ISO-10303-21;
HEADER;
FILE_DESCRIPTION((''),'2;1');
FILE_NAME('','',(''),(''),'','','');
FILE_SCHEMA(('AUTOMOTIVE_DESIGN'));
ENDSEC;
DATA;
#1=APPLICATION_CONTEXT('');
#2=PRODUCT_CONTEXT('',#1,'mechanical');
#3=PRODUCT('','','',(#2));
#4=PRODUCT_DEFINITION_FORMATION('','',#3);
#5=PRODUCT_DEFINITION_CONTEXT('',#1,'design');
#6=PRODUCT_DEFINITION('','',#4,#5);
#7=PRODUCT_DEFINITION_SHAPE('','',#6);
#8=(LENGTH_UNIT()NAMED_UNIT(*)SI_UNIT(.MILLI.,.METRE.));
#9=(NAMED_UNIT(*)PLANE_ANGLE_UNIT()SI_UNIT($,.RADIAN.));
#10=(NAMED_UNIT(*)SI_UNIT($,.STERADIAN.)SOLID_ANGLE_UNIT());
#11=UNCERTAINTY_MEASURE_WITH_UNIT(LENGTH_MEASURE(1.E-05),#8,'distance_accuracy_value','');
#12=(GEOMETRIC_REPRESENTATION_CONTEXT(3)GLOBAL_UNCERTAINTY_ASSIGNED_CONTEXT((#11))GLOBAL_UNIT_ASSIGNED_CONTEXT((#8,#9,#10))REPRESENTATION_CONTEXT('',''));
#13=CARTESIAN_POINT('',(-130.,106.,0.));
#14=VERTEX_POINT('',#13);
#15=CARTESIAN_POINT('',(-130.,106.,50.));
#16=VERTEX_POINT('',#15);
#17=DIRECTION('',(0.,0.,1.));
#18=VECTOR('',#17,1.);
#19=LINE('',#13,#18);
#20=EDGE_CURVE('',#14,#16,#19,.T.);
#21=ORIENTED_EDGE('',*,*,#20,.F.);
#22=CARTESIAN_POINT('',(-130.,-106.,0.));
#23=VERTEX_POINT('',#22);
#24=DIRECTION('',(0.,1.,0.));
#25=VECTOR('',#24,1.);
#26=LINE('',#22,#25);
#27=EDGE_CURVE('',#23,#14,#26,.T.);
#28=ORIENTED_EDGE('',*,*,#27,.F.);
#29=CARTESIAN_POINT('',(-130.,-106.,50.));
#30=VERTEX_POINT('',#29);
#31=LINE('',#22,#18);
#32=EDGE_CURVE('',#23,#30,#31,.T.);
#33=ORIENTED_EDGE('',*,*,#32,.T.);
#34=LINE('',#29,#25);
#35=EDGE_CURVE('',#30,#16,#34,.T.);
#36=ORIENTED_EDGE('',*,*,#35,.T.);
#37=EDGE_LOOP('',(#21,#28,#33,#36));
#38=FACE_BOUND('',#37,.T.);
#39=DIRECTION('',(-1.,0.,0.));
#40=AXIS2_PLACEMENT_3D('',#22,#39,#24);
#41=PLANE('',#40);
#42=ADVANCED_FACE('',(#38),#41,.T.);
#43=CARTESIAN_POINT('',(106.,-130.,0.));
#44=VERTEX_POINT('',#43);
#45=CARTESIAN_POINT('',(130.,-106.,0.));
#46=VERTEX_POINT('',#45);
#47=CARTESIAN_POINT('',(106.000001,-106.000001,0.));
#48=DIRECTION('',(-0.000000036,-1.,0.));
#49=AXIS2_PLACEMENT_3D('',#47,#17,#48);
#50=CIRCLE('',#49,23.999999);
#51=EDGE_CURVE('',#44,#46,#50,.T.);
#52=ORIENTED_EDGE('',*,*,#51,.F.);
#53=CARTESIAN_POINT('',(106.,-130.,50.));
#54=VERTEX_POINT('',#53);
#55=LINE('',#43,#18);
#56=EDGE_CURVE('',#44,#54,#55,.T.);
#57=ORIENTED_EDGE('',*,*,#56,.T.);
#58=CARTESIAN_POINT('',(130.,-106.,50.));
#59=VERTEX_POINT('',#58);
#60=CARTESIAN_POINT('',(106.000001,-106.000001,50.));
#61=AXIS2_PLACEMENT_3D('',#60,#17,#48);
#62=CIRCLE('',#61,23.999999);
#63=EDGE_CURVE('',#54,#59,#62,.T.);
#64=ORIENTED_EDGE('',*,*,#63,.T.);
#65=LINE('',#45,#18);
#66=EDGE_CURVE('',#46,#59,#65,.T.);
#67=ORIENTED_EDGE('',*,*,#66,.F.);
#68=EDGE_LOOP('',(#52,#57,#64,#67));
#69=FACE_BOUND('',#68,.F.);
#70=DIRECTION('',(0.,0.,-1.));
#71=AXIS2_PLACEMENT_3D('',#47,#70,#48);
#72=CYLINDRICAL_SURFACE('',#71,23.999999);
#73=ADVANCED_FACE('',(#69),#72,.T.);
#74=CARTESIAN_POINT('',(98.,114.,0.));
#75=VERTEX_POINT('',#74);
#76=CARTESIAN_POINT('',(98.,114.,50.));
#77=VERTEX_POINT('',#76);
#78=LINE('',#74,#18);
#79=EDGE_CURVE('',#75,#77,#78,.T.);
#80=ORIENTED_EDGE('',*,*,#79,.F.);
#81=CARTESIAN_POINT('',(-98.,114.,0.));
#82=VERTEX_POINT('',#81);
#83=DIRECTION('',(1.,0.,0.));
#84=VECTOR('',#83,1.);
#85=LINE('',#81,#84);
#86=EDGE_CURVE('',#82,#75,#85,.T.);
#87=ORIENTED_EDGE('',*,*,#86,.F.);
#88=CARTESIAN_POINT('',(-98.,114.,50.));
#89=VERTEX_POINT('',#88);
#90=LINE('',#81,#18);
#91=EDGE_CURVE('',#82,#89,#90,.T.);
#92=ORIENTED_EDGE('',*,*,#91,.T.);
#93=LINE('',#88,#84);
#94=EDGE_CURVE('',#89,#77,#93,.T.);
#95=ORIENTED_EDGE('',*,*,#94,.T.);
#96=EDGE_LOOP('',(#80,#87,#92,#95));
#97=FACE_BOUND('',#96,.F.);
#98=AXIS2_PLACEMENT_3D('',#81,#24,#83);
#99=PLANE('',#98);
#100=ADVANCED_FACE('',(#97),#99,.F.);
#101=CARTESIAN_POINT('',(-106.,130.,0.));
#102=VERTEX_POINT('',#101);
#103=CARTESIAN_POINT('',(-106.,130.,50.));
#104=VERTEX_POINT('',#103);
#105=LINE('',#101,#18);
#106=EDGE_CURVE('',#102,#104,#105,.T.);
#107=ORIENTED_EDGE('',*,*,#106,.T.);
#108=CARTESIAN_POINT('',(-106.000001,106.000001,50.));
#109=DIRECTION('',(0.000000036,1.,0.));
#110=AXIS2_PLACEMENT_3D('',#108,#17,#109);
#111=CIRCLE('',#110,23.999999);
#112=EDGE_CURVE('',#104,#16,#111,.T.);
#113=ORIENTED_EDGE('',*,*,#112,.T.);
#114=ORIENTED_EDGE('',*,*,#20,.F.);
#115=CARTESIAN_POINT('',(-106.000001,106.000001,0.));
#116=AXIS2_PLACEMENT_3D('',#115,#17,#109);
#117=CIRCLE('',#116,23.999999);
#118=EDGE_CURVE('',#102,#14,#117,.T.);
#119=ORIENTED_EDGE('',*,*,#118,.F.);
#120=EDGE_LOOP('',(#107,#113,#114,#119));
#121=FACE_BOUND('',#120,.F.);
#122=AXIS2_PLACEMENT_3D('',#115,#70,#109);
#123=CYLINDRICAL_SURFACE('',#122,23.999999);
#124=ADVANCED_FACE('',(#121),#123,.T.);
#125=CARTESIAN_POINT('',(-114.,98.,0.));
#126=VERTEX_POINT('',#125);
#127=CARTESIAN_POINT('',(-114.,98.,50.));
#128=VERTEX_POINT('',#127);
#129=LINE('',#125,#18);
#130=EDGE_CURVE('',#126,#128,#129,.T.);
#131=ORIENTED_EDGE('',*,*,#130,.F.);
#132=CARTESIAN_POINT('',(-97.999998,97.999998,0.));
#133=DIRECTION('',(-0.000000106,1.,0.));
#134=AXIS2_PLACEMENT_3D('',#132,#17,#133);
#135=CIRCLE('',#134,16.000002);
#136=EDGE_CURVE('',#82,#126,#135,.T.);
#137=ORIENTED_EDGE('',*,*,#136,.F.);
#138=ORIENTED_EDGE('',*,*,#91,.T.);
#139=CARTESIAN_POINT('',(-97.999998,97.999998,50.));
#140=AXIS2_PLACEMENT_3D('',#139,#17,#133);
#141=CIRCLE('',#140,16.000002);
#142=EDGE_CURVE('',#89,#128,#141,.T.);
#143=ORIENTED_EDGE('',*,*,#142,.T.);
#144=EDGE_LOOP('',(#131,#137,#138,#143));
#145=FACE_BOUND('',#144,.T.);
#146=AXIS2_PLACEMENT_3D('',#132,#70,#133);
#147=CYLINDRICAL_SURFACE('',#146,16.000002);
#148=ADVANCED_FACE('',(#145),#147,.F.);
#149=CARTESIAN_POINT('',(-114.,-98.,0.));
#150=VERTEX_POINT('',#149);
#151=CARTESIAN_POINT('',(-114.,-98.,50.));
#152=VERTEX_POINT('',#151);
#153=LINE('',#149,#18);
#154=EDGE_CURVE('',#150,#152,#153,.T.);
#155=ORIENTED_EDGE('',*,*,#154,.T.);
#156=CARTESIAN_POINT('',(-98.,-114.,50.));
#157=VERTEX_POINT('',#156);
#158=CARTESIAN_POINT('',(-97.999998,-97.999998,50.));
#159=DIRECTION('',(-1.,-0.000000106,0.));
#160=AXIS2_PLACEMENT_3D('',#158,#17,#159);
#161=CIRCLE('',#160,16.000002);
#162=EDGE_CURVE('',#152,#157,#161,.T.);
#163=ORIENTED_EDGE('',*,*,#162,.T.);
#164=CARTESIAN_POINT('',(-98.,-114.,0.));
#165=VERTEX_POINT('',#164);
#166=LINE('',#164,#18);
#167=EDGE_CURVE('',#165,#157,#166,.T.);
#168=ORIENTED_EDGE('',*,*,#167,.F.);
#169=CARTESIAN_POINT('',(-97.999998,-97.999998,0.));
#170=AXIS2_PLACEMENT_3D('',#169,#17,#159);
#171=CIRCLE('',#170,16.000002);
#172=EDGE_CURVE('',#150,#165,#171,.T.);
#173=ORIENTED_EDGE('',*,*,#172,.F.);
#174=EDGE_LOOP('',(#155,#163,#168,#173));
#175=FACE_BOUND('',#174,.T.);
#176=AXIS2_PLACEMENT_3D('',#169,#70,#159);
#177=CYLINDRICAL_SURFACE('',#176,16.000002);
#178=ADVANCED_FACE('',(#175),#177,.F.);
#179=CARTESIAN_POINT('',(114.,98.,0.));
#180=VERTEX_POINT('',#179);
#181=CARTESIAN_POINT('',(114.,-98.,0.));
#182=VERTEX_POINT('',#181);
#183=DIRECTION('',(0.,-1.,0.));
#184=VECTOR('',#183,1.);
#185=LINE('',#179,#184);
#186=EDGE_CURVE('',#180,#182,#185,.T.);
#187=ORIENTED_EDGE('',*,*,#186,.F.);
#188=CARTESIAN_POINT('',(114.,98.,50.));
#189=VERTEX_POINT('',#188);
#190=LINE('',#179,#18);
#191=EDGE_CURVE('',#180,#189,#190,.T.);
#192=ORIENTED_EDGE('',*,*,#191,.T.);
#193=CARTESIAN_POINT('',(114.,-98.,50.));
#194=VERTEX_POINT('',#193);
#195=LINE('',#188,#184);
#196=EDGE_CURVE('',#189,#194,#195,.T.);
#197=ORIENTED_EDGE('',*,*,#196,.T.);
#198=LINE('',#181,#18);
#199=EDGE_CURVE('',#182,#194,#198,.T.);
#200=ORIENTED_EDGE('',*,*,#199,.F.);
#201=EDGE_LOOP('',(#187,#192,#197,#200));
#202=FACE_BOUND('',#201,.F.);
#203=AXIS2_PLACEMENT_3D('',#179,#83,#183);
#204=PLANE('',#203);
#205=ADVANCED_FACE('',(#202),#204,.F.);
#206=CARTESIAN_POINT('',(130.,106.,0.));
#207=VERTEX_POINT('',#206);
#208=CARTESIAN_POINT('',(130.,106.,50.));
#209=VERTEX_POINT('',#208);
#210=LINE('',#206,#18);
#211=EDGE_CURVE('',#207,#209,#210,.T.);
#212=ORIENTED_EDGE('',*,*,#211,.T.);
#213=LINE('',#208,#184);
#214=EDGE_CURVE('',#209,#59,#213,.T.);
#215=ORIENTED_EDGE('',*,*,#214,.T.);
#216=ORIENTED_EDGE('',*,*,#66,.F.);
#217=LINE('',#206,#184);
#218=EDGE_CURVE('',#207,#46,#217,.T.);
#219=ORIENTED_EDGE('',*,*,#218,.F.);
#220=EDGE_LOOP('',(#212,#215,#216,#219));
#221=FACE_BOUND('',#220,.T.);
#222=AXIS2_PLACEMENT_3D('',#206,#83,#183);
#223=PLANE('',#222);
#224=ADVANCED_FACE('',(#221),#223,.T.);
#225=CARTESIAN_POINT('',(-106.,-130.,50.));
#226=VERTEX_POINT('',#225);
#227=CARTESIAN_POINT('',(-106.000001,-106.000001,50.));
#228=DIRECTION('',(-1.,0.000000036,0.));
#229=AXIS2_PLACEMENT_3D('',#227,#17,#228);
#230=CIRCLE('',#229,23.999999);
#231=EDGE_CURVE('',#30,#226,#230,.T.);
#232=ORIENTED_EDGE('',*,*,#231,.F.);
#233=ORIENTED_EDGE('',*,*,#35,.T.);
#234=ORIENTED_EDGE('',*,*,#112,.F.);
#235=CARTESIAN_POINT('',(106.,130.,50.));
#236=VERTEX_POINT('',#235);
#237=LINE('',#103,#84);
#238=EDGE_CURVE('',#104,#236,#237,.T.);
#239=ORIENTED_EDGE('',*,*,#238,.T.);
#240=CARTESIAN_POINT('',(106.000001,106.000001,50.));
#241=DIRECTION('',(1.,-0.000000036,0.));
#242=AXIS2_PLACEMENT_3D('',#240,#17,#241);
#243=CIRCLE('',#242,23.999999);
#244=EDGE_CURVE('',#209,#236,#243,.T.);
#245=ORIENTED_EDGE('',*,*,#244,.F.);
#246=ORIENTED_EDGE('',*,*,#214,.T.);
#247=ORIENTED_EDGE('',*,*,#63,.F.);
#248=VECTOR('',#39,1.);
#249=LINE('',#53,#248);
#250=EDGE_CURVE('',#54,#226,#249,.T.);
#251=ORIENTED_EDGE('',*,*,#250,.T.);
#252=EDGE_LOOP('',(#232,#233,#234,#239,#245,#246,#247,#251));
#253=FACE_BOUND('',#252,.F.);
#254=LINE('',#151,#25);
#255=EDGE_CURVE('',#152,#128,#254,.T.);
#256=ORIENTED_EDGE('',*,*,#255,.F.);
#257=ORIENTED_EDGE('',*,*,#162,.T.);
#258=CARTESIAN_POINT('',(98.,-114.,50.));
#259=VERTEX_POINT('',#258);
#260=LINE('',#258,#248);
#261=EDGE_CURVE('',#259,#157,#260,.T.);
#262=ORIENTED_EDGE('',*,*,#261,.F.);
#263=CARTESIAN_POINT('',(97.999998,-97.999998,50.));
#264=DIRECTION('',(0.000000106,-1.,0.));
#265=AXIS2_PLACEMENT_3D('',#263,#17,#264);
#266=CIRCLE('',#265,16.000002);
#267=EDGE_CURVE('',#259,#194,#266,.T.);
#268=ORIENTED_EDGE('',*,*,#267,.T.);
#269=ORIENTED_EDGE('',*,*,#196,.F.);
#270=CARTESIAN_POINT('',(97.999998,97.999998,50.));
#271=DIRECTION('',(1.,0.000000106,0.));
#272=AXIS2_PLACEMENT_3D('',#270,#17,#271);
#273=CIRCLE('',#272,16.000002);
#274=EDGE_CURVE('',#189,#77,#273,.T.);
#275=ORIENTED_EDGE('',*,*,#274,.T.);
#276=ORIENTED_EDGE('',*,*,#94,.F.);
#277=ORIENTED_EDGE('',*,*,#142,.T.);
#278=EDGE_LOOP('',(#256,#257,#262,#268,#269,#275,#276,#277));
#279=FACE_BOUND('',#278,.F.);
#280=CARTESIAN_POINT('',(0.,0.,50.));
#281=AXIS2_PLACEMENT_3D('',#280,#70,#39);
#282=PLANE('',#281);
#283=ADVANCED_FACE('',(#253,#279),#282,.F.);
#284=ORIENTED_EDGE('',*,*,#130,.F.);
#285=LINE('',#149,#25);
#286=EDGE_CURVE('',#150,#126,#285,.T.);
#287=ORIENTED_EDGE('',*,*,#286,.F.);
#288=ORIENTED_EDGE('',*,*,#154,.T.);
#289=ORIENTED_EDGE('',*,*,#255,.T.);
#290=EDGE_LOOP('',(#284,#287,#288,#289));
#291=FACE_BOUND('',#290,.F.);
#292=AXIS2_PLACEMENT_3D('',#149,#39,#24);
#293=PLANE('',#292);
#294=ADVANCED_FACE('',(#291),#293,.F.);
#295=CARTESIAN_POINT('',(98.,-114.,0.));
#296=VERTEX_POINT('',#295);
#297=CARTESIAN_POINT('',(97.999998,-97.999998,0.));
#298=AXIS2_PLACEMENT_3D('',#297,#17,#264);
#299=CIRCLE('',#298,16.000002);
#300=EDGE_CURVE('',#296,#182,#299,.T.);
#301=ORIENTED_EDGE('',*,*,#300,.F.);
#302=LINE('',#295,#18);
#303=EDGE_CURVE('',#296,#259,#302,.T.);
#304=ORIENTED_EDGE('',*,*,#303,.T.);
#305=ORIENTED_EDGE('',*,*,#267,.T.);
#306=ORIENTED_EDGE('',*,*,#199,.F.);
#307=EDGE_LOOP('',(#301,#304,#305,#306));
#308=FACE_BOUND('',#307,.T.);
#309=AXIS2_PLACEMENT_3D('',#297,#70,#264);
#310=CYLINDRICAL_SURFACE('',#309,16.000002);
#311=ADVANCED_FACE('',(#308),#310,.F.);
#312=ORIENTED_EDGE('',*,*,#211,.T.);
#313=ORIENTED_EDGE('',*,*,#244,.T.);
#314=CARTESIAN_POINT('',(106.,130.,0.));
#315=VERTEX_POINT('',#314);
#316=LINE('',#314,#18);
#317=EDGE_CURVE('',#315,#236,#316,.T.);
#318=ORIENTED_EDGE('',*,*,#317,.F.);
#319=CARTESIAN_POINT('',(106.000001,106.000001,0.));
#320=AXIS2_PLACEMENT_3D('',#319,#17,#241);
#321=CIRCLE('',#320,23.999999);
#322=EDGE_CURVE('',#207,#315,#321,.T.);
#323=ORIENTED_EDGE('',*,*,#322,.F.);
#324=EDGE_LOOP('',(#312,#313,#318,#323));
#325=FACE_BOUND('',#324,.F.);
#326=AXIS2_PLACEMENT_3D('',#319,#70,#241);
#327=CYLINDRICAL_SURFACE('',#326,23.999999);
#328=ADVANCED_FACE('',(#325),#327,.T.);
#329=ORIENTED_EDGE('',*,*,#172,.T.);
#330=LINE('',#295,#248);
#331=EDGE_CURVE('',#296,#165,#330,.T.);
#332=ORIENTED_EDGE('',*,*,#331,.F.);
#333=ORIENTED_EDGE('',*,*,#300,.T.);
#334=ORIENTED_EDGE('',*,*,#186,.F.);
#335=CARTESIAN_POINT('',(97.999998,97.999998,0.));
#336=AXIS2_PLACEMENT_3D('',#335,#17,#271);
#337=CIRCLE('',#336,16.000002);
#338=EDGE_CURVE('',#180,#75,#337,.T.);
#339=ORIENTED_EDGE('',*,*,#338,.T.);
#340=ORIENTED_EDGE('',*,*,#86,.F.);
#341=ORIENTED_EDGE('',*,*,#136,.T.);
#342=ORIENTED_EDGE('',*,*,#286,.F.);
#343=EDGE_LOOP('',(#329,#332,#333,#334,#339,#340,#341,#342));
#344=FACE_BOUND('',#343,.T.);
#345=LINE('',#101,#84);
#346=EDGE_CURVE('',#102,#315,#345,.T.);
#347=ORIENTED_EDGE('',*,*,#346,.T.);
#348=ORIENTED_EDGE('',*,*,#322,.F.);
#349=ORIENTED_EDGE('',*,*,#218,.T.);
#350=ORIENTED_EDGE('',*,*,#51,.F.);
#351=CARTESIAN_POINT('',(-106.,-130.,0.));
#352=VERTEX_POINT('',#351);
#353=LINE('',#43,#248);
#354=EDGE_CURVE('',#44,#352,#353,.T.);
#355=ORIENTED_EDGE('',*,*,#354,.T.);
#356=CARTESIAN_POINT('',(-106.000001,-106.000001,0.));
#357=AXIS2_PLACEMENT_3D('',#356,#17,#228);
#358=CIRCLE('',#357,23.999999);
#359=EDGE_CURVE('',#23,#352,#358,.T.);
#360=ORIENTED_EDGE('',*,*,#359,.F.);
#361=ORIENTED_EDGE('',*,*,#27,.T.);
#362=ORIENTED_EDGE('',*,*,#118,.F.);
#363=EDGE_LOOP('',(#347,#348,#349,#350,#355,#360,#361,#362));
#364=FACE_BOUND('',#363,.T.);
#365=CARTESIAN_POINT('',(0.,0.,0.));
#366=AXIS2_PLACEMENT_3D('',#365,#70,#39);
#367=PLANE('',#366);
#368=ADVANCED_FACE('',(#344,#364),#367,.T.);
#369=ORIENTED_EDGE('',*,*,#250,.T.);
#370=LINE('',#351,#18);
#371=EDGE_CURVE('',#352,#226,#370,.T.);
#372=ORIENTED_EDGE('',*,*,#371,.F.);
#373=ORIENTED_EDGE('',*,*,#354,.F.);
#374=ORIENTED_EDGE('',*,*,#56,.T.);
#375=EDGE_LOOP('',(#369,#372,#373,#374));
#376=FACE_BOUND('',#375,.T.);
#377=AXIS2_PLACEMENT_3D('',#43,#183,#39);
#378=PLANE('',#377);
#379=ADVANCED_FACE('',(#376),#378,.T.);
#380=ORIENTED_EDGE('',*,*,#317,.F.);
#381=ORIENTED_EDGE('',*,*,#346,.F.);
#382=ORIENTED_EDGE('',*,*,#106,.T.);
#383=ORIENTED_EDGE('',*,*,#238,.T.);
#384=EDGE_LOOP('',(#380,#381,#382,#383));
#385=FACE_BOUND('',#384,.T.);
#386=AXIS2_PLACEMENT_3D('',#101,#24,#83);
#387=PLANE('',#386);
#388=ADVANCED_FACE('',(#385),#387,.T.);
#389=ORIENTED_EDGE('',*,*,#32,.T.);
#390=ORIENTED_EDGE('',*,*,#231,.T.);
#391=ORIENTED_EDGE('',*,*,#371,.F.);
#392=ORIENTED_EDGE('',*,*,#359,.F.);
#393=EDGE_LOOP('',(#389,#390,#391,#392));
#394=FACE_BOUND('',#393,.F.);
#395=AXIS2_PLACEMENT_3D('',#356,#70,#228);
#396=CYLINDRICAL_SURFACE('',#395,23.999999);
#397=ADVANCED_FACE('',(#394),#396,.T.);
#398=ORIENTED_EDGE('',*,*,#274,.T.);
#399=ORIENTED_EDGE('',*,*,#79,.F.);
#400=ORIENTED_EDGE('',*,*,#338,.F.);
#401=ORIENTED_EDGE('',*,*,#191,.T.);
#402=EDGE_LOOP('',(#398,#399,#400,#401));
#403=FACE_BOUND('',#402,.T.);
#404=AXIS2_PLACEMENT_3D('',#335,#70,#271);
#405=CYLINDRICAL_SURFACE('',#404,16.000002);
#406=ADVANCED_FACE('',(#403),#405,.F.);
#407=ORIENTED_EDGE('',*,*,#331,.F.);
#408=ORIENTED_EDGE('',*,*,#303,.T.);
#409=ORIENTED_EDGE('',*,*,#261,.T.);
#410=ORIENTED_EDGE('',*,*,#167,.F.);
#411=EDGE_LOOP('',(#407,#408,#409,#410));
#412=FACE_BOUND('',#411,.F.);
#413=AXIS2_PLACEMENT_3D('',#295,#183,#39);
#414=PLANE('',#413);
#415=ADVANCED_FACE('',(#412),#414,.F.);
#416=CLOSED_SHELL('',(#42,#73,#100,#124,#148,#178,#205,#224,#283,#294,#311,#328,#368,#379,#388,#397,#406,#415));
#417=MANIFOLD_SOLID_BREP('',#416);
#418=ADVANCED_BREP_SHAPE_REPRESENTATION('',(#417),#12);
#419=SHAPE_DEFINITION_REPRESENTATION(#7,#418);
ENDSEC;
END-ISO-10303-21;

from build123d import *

# Parameters (mm, degrees)
EXTRUDE_DEPTH = 50


with BuildPart() as part:
    # Sketch → Extrude (new body)
    with BuildSketch(Plane.XY):
        with BuildLine():
            Line((-106, 130), (106, 130))
            ThreePointArc((130, 106), (122.970563, 122.970563), (106, 130))
            Line((130, 106), (130, -106))
            ThreePointArc((106, -130), (122.970563, -122.970563), (130, -106))
            Line((106, -130), (-106, -130))
            ThreePointArc((-130, -106), (-122.970563, -122.970563), (-106, -130))
            Line((-130, -106), (-130, 106))
            ThreePointArc((-106, 130), (-122.970563, 122.970563), (-130, 106))
        make_face()
        with BuildLine():
            Line((-98, 114), (98, 114))
            ThreePointArc((114, 98), (109.313708, 109.313708), (98, 114))
            Line((114, 98), (114, -98))
            ThreePointArc((98, -114), (109.313708, -109.313708), (114, -98))
            Line((98, -114), (-98, -114))
            ThreePointArc((-114, -98), (-109.313708, -109.313708), (-98, -114))
            Line((-114, -98), (-114, 98))
            ThreePointArc((-98, 114), (-109.313708, 109.313708), (-114, 98))
        make_face(mode=Mode.SUBTRACT)
    extrude(amount=EXTRUDE_DEPTH)


solid = part.part
